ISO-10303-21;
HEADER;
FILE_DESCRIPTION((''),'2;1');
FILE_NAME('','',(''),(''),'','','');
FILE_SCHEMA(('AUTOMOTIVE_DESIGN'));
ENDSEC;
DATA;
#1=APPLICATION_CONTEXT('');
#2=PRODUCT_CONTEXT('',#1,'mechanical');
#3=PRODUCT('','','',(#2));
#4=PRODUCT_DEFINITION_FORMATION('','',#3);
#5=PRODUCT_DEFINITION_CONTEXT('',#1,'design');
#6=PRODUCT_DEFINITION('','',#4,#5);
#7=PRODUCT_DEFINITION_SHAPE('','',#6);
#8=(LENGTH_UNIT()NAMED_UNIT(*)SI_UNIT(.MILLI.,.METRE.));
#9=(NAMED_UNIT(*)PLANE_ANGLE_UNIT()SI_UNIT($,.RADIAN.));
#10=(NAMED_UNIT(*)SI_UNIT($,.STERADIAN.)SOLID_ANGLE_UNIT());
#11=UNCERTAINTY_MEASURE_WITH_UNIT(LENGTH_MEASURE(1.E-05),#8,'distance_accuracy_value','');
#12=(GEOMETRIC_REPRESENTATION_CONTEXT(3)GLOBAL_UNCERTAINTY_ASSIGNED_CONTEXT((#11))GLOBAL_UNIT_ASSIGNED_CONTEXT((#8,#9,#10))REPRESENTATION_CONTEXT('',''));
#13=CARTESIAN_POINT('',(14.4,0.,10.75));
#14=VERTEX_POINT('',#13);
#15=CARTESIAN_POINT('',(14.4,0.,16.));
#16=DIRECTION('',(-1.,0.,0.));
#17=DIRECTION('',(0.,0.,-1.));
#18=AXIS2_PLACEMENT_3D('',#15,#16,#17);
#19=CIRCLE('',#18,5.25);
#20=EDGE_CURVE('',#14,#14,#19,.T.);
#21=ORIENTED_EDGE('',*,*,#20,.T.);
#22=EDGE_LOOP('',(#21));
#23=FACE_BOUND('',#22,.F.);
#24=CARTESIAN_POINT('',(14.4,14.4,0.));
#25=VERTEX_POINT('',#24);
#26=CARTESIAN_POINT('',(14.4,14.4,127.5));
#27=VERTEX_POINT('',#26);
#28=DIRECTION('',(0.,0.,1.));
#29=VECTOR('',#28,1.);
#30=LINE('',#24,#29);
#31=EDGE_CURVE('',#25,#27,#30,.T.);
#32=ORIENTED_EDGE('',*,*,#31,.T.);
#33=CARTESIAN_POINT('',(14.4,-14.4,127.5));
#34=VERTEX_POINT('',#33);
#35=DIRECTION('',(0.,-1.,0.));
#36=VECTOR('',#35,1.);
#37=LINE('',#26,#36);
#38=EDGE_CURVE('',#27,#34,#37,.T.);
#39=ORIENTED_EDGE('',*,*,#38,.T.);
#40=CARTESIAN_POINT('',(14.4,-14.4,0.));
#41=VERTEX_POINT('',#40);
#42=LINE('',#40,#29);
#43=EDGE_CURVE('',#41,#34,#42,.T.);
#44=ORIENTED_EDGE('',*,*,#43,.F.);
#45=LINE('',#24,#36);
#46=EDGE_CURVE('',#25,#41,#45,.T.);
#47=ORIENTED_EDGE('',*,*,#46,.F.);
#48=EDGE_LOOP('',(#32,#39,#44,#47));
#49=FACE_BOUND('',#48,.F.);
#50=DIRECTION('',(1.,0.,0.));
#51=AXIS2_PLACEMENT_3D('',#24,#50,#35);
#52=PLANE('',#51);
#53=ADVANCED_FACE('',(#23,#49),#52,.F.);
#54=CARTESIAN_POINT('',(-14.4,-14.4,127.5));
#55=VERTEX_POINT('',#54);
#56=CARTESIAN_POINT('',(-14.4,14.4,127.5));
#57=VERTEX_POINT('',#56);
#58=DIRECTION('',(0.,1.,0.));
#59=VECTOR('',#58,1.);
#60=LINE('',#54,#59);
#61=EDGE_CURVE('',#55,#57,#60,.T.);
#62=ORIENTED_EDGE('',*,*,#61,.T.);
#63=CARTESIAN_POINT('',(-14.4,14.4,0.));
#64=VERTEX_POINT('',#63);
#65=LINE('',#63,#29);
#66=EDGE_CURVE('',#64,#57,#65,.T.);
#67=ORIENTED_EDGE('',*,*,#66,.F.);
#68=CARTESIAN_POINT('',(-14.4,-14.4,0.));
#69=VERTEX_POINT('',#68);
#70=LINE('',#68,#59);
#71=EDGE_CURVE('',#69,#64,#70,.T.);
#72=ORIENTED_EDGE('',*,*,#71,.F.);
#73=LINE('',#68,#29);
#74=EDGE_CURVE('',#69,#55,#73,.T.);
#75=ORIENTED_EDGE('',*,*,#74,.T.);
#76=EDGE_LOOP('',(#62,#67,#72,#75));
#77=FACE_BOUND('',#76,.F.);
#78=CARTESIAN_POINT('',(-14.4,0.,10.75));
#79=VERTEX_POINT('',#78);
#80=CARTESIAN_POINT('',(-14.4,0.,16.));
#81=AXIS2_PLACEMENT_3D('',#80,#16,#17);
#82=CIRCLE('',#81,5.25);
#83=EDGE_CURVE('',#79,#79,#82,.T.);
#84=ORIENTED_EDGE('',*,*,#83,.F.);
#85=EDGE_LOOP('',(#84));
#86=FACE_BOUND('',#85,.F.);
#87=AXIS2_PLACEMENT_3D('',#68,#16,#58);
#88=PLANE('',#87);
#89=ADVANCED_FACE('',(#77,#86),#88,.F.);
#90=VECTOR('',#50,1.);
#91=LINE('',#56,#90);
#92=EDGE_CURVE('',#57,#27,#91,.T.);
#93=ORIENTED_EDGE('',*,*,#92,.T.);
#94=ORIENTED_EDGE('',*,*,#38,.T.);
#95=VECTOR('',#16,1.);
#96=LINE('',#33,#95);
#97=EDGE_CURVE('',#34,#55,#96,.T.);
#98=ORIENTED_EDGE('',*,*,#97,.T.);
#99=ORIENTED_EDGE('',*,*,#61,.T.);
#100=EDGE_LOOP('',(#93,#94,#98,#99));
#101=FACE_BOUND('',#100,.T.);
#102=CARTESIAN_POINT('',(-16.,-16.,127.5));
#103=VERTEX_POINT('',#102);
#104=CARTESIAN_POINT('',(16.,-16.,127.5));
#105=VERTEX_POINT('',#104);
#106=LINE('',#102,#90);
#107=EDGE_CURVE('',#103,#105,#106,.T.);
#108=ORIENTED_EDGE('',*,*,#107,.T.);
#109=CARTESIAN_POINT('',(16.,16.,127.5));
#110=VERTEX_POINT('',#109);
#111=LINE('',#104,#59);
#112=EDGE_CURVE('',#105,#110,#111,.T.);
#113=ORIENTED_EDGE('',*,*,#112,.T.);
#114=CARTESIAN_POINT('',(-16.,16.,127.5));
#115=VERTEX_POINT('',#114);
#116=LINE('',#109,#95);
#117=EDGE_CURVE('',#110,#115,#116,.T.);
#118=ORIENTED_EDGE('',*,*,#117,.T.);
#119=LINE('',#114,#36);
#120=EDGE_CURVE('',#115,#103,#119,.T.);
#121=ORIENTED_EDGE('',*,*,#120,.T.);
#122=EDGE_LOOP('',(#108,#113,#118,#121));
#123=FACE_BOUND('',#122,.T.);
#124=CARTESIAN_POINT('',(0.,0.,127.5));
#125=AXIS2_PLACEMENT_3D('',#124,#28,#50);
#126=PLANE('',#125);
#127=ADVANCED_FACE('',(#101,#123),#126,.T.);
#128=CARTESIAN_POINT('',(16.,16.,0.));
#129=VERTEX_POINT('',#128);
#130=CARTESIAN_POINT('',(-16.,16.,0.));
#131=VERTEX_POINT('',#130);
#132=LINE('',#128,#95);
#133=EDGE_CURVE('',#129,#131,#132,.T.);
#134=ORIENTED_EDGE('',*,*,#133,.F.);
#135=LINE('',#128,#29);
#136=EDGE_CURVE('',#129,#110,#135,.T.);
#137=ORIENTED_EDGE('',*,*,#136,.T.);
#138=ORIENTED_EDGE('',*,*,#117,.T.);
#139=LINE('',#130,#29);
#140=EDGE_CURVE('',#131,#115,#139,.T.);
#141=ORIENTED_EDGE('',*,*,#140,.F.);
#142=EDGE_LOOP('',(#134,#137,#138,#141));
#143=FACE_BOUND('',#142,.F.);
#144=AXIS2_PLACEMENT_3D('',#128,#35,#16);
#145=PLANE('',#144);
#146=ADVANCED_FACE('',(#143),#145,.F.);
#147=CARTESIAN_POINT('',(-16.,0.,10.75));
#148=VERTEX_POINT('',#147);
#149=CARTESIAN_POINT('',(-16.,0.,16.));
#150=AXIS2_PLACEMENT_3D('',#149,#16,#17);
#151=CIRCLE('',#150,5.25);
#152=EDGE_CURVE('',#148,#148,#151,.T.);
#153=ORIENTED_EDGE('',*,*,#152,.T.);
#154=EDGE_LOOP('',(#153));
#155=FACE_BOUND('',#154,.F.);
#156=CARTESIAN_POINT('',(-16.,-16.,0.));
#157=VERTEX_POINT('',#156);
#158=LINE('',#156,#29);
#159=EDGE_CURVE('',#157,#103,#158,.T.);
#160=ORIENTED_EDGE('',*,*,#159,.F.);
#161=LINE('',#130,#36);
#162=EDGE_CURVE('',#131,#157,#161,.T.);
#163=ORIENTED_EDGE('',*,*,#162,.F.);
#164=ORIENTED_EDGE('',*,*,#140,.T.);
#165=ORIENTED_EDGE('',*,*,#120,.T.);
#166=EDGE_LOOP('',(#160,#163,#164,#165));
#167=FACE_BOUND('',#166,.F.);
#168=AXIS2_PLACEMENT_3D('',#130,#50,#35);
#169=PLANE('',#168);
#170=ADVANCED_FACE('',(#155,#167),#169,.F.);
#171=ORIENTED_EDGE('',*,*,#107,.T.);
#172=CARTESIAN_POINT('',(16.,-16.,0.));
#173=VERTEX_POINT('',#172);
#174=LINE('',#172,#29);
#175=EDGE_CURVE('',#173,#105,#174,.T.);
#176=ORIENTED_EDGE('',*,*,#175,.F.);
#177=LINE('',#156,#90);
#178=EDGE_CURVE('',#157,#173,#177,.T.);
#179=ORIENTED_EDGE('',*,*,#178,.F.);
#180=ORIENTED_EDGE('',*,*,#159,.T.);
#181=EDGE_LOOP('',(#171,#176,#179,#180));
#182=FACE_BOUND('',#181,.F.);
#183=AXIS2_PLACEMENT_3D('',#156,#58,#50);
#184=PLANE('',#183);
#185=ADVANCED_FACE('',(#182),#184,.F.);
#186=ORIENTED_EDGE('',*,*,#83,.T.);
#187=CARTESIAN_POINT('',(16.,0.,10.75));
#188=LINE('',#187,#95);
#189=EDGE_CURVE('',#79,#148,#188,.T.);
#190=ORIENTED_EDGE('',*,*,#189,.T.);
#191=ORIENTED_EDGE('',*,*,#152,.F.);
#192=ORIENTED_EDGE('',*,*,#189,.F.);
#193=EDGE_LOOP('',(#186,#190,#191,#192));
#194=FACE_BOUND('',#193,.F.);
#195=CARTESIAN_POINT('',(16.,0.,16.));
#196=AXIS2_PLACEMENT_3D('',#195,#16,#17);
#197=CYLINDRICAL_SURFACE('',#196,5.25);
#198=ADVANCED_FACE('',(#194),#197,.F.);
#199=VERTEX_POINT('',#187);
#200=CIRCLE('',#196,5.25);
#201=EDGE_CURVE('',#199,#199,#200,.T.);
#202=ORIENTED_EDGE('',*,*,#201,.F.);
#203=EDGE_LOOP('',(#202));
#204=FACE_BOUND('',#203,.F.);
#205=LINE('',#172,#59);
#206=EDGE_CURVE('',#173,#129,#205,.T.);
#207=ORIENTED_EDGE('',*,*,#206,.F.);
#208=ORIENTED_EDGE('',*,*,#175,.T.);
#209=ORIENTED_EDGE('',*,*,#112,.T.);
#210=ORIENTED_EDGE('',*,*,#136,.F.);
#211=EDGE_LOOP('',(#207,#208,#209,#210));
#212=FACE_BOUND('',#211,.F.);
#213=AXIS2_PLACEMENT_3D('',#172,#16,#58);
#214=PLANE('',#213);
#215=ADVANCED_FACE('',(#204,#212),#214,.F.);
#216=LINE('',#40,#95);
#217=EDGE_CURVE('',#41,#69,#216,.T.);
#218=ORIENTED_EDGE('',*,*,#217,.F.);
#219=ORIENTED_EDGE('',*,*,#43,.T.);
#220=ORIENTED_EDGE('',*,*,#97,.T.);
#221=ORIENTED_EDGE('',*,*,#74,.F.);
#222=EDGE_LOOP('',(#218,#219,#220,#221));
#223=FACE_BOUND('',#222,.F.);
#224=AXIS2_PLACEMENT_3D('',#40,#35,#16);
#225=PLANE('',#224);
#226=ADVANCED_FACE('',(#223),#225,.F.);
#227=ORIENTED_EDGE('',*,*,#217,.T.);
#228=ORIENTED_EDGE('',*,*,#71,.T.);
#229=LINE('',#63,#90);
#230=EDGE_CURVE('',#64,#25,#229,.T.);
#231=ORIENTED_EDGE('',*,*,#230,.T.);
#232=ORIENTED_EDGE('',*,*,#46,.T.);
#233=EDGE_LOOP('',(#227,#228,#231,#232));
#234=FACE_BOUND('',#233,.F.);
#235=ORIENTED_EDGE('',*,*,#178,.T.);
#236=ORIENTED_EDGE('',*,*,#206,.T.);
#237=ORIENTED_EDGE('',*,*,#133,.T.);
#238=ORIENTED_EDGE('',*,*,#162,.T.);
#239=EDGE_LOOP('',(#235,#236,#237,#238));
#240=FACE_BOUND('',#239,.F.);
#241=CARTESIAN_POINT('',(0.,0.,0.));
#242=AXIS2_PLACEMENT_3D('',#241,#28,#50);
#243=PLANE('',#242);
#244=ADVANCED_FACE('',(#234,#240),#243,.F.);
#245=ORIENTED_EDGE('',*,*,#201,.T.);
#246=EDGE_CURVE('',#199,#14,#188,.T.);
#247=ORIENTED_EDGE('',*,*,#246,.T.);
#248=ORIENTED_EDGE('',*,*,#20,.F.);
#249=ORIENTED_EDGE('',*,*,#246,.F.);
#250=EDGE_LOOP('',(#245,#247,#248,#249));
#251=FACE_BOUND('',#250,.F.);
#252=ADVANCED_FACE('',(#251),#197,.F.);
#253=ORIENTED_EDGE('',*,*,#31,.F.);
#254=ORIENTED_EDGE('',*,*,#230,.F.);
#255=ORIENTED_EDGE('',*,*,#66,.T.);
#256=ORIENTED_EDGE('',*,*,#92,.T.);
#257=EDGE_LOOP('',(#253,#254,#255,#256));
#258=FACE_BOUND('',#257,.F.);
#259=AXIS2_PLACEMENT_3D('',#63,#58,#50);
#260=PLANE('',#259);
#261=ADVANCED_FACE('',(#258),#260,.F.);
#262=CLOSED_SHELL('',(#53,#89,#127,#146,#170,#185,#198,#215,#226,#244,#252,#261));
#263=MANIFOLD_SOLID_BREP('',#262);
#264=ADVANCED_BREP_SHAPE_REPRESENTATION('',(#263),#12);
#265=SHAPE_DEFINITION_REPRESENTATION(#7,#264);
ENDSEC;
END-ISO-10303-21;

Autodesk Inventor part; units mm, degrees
ref_plane "YZ Plane" through (0, 0, 0) normal (1, 0, 0) x (0, 1, 0)
ref_plane "XZ Plane" through (0, 0, 0) normal (0, 1, 0) x (-1, 0, 0)
ref_plane "XY Plane" through (0, 0, 0) normal (0, 0, 1) x (1, 0, 0)
sketch "スケッチ1" plane through (0, 0, 0) normal (0, 0, 1) x (1, 0, 0)
  line L0 (-16, -16) -> (16, -16)
  line L1 (16, -16) -> (16, 16)
  line L2 (16, 16) -> (-16, 16)
  line L3 (-16, 16) -> (-16, -16)
  line L4 (-16, -16) -> (16, 16) construction
  line L5 (16, -16) -> (-16, 16) construction
  line L6 (-14.4, 14.4) -> (14.4, 14.4)
  line L7 (14.4, 14.4) -> (14.4, -14.4)
  line L8 (14.4, -14.4) -> (-14.4, -14.4)
  line L9 (-14.4, -14.4) -> (-14.4, 14.4)
  point P0 (0, 0)
  dimension "d0" = 32
  dimension "d1" = 32
  dimension "d2" = 1.6
extrude "押し出し1" add sketch "スケッチ1" along normal blind 127.5
sketch "スケッチ2" plane through (16, -16, 127.5) normal (1, 0, 0) x (0, 0, -1)
  line L0 (0, 0) -> (0, 32) projected
  point P0 (127.5, 16)
  point P1 (111.5, 16)
  dimension "d8" = 111.5
hole "穴1" at (16, 0, 16) direction (-1, 0, 0) diameter 10.5 end through all
properties part number "PipeB"
